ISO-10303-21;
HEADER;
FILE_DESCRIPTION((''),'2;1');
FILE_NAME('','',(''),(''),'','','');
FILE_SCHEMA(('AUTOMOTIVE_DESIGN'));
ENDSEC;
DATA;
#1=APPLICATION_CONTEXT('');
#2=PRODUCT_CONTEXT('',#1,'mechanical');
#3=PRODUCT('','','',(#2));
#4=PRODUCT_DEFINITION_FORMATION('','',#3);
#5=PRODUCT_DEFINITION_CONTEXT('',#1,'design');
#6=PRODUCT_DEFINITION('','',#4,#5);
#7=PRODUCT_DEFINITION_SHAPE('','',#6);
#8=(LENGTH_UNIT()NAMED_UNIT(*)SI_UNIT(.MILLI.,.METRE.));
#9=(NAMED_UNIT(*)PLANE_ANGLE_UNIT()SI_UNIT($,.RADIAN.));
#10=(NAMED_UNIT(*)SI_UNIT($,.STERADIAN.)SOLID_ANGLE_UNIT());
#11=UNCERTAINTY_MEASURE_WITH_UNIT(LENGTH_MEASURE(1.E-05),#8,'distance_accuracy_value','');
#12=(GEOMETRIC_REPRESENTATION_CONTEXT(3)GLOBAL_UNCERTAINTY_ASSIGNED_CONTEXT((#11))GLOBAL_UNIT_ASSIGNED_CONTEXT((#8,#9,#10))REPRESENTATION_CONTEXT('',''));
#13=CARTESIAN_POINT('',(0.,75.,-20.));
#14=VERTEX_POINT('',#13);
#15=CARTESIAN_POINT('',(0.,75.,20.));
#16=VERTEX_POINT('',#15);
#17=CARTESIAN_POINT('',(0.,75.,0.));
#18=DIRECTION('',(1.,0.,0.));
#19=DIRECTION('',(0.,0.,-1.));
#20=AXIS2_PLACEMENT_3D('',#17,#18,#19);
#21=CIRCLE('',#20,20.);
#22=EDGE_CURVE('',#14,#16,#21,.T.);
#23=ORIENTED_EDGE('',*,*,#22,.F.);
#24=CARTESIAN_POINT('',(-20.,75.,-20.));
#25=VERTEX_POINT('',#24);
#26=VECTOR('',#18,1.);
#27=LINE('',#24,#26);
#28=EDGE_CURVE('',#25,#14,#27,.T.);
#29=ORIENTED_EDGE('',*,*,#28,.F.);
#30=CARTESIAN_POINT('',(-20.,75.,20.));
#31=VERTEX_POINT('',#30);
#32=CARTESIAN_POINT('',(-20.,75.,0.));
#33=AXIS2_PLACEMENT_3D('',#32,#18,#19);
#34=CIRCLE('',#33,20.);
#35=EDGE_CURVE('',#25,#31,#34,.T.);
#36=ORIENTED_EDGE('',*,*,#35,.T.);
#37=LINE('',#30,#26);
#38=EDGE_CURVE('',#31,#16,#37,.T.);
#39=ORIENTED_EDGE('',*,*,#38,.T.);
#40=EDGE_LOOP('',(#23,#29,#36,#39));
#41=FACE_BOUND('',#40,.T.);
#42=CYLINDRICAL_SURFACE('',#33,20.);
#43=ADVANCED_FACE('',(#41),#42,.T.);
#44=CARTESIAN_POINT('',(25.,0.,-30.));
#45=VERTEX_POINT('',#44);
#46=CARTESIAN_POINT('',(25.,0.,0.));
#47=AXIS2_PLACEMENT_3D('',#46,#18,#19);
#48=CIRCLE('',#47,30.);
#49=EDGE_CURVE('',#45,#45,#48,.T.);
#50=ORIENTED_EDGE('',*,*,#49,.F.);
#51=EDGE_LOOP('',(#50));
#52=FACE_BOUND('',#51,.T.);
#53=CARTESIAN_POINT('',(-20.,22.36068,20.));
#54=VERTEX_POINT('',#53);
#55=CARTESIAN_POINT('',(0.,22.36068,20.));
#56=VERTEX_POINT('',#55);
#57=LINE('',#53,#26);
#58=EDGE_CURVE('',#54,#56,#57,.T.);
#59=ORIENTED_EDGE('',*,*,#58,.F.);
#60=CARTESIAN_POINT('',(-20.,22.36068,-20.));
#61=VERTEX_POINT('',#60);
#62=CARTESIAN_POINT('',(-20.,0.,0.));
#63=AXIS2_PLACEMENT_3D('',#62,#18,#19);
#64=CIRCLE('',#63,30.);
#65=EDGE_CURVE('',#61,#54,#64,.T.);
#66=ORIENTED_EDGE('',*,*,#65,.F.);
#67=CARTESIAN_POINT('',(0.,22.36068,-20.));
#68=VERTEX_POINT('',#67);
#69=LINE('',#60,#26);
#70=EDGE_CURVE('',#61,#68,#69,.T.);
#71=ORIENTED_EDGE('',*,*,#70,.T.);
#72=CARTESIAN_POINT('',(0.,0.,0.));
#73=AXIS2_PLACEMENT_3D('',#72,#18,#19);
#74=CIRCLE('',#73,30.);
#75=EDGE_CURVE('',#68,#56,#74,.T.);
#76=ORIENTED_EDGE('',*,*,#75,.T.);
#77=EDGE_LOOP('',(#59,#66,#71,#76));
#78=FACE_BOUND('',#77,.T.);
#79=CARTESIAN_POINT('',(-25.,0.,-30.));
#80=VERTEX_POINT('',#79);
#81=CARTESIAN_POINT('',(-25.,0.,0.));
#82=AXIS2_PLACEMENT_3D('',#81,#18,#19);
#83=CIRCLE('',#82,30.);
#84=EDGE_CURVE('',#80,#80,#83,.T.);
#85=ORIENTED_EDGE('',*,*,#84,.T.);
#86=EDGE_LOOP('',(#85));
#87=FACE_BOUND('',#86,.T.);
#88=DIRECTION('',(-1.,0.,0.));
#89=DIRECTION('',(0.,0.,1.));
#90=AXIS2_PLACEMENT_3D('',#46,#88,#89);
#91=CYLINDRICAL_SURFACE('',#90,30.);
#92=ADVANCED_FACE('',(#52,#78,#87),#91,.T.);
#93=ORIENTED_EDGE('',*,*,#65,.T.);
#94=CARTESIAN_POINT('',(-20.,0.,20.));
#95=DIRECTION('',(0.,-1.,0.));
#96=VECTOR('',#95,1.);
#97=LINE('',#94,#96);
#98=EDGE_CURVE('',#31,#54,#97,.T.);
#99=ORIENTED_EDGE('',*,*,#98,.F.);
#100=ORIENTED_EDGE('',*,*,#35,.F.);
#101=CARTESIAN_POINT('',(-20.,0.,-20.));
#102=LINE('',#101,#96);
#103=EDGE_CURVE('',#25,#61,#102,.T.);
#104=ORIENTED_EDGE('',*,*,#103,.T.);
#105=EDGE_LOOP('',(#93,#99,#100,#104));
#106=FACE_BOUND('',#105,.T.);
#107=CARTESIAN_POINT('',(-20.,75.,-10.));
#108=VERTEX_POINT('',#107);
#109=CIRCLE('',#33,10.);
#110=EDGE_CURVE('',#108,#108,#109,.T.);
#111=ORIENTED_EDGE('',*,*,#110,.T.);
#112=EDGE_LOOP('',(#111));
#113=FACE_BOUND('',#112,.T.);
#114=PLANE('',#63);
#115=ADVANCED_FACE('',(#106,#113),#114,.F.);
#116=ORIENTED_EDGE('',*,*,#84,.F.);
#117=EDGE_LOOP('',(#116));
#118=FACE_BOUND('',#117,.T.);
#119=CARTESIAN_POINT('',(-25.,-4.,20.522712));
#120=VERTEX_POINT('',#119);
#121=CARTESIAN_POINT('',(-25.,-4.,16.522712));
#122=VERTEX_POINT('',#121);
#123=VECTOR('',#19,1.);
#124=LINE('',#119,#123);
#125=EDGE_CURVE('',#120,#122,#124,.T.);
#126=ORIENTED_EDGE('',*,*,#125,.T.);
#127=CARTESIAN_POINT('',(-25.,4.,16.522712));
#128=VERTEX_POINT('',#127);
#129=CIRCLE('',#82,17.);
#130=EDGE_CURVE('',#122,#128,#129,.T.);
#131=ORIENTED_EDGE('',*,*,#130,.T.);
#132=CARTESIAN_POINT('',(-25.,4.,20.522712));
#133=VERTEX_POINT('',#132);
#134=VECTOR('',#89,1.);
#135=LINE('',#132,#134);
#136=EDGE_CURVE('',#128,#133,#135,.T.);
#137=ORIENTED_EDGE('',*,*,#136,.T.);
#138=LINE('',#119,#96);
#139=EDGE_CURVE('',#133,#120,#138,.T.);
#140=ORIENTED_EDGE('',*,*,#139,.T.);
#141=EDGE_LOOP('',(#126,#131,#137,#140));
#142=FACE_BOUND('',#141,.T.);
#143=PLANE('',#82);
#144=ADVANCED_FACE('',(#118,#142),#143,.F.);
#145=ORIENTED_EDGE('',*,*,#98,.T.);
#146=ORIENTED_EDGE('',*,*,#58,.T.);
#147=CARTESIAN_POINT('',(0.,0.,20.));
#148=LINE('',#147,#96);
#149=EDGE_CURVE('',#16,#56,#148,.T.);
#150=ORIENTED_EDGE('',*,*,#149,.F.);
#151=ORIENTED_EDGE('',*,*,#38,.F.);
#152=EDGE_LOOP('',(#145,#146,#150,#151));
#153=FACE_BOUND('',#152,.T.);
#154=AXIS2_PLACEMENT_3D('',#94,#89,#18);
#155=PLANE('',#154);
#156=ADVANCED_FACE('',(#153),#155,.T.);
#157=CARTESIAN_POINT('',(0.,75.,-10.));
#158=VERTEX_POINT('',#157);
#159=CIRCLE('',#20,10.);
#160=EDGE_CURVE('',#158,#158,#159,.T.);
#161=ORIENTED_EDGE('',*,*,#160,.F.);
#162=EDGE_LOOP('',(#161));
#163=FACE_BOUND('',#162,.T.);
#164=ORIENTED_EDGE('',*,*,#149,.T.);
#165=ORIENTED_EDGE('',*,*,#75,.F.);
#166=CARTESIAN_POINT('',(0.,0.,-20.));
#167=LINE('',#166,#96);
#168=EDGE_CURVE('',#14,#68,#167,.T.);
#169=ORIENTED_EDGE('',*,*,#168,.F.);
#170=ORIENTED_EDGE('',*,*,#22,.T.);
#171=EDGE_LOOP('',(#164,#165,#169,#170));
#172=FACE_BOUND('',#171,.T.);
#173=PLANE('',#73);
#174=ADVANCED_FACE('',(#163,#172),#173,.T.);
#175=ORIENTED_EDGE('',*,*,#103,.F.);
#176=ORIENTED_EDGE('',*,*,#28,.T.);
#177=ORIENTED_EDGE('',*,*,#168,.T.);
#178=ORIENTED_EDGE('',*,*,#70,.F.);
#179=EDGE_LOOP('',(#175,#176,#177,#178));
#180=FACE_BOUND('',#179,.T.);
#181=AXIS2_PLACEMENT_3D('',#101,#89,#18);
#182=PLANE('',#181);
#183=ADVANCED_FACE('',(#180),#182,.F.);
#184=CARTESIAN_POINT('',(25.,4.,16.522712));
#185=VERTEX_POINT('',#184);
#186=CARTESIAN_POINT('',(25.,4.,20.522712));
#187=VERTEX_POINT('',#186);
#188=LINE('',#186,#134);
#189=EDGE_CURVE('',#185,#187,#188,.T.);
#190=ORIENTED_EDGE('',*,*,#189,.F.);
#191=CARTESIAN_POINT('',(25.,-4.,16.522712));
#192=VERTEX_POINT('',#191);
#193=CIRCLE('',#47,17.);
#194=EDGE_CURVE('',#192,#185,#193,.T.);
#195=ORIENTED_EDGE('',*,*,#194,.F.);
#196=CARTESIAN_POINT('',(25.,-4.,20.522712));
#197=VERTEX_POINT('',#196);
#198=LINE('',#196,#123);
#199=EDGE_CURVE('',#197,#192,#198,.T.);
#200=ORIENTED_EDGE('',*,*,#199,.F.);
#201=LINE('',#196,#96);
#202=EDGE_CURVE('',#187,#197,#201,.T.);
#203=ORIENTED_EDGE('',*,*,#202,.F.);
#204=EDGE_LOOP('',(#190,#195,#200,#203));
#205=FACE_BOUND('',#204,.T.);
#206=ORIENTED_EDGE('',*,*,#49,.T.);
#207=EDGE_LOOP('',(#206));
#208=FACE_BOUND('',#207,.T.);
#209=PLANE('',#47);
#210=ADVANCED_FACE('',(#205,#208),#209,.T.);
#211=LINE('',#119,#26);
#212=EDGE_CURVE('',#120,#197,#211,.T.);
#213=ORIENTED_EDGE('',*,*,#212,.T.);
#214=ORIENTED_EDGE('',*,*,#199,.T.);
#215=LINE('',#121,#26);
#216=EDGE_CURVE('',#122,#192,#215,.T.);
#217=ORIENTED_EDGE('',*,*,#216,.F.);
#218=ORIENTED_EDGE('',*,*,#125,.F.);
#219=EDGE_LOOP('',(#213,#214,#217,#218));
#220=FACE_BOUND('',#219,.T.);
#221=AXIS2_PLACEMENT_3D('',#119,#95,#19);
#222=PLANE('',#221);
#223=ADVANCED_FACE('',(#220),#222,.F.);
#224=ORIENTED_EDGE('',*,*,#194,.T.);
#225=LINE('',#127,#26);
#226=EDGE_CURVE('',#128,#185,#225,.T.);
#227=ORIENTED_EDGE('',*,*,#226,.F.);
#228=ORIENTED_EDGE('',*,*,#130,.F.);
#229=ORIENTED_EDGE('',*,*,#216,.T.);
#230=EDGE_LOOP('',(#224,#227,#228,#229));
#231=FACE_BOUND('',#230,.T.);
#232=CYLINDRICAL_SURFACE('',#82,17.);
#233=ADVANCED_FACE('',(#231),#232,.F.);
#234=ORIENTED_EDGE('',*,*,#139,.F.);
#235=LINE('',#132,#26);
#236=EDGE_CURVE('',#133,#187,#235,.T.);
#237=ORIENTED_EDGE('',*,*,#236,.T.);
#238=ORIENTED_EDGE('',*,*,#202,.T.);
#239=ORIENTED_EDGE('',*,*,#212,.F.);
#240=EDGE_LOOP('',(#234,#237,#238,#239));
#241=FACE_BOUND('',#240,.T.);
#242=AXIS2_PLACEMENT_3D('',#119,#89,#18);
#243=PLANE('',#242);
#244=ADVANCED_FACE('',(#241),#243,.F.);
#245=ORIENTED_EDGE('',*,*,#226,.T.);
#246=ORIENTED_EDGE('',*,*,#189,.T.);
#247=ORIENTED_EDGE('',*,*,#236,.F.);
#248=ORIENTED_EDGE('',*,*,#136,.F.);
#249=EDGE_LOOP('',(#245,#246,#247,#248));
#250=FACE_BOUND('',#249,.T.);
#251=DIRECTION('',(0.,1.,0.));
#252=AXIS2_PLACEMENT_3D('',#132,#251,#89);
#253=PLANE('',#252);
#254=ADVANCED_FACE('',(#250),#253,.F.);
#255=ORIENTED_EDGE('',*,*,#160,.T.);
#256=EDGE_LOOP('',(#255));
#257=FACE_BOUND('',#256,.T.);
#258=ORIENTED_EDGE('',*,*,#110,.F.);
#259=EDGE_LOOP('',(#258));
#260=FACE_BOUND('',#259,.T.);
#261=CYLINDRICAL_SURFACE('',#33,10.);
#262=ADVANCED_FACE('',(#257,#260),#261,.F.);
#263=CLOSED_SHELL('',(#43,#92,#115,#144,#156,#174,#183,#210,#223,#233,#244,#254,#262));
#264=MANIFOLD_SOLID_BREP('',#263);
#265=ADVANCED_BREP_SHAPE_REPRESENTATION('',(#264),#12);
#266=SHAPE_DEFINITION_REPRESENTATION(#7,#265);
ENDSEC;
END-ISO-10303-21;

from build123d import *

# Parameters (mm, degrees)
BOSS_EXTRUDE2_DEPTH = 25
SKETCH1_3_R         = 10
BOSS_EXTRUDE3_DEPTH = 20
CUT_EXTRUDE2_DEPTH  = 112.467484048


with BuildPart() as part:
    # Sketch1 → Boss-Extrude2 (new, symmetric)
    with BuildSketch(Plane.YZ):
        with BuildLine():
            ThreePointArc((30, 0), (28.025170769, 10.704662693), (22.360679775, 20))
            ThreePointArc((22.360679775, 20), (-30, 0), (22.360679775, -20))
            ThreePointArc((22.360679775, -20), (28.025170769, -10.704662693), (30, 0))
        make_face()
    extrude(amount=BOSS_EXTRUDE2_DEPTH, both=True)

    # Sketch1<3> → Boss-Extrude3 (add)
    with BuildSketch(Plane.YZ):
        with BuildLine():
            ThreePointArc((75, -20), (95, 0), (75, 20))
            Line((75, 20), (22.360679775, 20))
            ThreePointArc((22.360679775, 20), (28.025170769, 10.704662693), (30, 0))
            ThreePointArc((30, 0), (28.025170769, -10.704662693), (22.360679775, -20))
            Line((22.360679775, -20), (75, -20))
        make_face()
        with Locations((75, 0)):
            Circle(SKETCH1_3_R, mode=Mode.SUBTRACT)
    extrude(amount=-BOSS_EXTRUDE3_DEPTH)

    # Sketch3 → Cut-Extrude2 (cut, through all)
    with BuildSketch(Plane.YZ.offset(25)):
        with BuildLine():
            Line((-4, 20.522711642), (4, 20.522711642))
            Line((4, 20.522711642), (4, 16.522711642))
            ThreePointArc((4, 16.522711642), (0, -17), (-4, 16.522711642))
            Line((-4, 16.522711642), (-4, 20.522711642))
        make_face()
    extrude(amount=-CUT_EXTRUDE2_DEPTH, mode=Mode.SUBTRACT)


solid = part.part
